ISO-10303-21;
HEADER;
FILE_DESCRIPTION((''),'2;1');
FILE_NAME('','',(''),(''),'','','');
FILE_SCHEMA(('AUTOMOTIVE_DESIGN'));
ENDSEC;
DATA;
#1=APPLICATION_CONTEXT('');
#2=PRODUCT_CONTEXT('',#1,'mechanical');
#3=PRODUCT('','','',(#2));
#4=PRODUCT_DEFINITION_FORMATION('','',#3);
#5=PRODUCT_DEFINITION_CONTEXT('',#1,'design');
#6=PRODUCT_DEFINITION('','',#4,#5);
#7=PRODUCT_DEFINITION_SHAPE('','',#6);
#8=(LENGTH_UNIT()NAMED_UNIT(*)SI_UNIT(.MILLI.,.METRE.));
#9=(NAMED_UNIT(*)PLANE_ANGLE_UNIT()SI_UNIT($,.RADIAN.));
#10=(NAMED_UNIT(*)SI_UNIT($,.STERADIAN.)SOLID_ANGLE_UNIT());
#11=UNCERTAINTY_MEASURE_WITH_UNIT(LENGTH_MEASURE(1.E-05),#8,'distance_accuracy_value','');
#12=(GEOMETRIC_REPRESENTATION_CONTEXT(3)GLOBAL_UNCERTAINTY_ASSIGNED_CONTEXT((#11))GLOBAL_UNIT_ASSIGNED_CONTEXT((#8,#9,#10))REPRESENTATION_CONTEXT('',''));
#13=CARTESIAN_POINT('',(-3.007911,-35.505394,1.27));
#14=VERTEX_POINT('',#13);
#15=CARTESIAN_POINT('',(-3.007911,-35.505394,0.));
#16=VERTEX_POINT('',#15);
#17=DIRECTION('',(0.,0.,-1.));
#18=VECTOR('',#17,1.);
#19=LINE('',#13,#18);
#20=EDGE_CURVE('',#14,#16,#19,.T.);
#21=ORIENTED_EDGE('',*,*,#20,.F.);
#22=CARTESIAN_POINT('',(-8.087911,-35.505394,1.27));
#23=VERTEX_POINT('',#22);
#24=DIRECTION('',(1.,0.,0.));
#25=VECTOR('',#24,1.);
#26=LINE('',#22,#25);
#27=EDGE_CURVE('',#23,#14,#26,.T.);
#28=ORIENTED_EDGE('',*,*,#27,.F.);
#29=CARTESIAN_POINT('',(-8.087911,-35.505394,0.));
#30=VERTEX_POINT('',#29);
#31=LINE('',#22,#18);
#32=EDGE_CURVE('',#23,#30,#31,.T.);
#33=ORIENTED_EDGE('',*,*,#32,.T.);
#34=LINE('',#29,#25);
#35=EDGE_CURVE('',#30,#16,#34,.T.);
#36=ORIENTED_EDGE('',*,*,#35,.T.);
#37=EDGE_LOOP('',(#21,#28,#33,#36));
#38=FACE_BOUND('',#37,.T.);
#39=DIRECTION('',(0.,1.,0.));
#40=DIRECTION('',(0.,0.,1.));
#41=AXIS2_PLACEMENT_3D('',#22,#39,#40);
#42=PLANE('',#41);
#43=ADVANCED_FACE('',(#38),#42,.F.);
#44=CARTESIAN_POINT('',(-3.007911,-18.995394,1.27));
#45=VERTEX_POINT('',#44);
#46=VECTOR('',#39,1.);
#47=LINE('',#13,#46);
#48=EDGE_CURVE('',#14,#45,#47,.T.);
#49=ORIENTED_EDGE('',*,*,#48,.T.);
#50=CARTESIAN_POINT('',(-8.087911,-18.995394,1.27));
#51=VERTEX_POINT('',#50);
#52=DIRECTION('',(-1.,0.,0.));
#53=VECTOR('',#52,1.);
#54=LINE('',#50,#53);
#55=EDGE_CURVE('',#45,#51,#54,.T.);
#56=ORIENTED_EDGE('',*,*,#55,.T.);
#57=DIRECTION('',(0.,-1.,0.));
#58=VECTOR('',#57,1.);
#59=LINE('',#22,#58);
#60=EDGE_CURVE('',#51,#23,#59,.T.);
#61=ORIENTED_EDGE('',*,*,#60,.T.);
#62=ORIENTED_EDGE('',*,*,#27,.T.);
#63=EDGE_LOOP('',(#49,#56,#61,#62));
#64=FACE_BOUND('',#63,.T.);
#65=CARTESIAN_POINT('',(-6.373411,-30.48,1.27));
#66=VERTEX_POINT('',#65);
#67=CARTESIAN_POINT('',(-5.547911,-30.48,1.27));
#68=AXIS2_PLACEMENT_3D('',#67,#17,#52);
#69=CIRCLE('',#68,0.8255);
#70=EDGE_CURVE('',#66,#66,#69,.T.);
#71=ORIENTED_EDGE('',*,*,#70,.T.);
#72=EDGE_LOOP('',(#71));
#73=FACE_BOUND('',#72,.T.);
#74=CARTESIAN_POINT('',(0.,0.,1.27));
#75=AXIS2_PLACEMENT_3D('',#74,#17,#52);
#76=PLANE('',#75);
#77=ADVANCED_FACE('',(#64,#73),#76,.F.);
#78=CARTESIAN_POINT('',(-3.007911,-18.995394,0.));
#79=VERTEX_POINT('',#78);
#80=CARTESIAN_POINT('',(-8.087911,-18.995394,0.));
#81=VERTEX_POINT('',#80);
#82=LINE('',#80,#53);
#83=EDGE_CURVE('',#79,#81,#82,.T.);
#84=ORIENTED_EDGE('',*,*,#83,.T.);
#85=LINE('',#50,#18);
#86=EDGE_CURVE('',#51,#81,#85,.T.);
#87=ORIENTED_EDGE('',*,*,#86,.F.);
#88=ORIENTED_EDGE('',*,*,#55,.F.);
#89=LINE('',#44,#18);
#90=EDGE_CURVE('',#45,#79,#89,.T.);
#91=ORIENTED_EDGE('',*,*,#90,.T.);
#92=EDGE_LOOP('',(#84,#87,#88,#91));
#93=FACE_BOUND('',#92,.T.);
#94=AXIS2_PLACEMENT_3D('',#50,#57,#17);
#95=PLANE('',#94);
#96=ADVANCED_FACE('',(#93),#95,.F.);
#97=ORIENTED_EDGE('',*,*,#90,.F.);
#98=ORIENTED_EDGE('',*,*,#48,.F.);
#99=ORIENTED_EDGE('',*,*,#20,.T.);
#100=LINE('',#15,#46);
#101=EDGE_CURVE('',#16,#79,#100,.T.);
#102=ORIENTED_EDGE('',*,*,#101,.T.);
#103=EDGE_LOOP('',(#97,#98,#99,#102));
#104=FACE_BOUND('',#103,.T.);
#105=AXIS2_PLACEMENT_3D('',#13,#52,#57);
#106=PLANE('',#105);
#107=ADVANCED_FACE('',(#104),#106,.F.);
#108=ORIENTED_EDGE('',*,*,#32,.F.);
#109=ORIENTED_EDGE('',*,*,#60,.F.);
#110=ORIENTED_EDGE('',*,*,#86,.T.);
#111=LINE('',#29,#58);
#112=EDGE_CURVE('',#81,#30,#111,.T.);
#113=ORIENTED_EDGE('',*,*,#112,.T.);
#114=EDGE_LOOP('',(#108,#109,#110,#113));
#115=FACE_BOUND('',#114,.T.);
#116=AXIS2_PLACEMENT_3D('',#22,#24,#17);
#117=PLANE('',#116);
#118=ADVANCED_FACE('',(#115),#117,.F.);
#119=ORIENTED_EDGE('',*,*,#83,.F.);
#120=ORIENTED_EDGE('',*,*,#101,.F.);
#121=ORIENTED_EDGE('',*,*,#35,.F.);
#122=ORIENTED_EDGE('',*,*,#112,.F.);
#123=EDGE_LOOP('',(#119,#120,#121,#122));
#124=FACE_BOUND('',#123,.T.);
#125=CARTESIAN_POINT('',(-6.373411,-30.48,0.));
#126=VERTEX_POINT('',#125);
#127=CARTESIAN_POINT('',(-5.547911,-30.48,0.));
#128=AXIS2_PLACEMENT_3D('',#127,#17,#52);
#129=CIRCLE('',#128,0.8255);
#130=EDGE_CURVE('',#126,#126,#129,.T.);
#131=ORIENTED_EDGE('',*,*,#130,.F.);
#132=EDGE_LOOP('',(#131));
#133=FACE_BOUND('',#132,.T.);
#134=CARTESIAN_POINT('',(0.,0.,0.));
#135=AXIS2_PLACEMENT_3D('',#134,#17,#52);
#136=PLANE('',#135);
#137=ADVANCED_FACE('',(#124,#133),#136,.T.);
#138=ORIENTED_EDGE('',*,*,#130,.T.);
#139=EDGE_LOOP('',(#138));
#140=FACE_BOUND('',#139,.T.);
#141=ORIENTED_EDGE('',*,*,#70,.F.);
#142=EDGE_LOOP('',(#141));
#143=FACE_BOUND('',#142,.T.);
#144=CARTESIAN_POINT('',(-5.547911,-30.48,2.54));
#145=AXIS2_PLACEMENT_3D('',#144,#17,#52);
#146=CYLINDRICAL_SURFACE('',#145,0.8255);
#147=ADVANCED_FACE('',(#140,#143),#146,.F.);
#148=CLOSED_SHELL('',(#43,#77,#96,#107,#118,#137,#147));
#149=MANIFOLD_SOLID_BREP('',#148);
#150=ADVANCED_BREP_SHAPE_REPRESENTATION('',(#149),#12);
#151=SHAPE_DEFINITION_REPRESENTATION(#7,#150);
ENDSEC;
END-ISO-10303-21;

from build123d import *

# Parameters (mm, degrees)
SKETCH1_W           = 5.08
SKETCH1_H           = 16.51
BOSS_EXTRUDE1_DEPTH = 1.27
SKETCH2_R           = 0.8255
CUT_EXTRUDE1_DEPTH  = 2.54


with BuildPart() as part:
    # Sketch1 → Boss-Extrude1 (new body)
    with BuildSketch(Plane.XY):
        with Locations((-5.547911289, -27.250393807)):
            Rectangle(SKETCH1_W, SKETCH1_H)
    extrude(amount=BOSS_EXTRUDE1_DEPTH)

    # Sketch2 → Cut-Extrude1 (cut)
    with BuildSketch(Plane(origin=(0, 0, 0), x_dir=(-1, 0, 0), z_dir=(0, 0, -1))):
        with Locations((5.547911289, -30.48)):
            Circle(SKETCH2_R)
    extrude(amount=-CUT_EXTRUDE1_DEPTH, mode=Mode.SUBTRACT)


solid = part.part
